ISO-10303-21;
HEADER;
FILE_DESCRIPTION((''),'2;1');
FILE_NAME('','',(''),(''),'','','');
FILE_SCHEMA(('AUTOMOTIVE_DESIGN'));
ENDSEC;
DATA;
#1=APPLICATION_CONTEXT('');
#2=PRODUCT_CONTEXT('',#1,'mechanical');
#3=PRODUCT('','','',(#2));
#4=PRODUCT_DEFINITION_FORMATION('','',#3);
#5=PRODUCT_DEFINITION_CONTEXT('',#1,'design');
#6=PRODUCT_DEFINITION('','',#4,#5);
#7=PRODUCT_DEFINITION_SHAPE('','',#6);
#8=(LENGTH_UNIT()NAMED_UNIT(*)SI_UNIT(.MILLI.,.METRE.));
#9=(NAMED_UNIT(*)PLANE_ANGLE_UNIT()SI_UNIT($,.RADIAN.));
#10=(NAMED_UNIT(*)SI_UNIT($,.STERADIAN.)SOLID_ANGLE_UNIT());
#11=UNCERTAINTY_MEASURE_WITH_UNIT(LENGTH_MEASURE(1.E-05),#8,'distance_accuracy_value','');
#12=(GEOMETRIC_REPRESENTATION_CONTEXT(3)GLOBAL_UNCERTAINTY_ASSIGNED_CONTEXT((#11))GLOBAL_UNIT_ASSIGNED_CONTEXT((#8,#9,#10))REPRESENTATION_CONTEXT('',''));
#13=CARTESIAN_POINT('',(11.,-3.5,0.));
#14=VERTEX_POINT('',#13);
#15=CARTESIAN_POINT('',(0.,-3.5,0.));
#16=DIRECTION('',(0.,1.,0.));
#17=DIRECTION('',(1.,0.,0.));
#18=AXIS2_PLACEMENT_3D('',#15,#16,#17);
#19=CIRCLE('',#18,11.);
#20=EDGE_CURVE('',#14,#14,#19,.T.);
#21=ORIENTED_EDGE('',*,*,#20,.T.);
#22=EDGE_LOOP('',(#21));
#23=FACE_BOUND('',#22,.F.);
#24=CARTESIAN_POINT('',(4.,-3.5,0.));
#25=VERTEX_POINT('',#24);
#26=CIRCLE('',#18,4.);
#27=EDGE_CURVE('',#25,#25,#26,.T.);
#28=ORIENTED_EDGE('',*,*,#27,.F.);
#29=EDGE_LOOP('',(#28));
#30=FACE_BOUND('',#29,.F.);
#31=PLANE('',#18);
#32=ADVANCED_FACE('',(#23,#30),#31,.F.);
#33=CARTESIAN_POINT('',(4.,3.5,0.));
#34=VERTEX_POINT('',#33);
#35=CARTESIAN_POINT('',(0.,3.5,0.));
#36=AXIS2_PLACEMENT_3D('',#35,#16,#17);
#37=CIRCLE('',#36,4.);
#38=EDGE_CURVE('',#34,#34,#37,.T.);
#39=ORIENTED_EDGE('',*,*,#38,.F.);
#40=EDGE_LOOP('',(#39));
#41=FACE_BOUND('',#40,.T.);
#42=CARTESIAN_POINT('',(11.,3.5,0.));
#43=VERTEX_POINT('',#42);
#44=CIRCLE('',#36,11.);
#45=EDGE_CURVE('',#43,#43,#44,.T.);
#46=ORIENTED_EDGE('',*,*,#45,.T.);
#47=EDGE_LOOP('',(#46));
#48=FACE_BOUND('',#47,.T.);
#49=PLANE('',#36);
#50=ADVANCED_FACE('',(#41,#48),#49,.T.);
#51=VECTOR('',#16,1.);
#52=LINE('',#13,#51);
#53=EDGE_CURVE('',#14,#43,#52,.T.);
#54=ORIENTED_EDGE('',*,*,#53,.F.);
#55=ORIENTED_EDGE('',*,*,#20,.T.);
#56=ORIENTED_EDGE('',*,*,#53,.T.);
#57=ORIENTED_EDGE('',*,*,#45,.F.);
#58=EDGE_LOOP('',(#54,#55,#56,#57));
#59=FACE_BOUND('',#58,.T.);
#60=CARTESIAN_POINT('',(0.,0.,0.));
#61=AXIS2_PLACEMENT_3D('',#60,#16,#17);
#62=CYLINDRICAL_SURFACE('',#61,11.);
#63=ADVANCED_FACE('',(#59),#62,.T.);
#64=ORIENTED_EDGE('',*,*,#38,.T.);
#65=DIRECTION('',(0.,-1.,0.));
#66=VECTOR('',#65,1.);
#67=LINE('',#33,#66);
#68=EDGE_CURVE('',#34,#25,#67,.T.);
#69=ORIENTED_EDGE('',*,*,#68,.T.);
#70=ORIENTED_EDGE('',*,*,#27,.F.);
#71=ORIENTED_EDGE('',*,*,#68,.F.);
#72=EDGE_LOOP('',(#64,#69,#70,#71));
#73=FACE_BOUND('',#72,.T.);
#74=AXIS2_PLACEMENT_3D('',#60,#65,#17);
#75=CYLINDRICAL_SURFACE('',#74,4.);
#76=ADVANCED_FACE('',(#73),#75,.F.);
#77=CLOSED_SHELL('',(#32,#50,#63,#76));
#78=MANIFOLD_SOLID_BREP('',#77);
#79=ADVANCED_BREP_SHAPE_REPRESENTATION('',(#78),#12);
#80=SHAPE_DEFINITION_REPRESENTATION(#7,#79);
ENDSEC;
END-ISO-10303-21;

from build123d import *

# Parameters (mm, degrees)
SKETCH1_R           = 11
SKETCH1_R_2         = 4
BOSS_EXTRUDE1_DEPTH = 3.5


with BuildPart() as part:
    # Sketch1 → Boss-Extrude1 (new body, symmetric)
    with BuildSketch(Plane(origin=(0, 0, 0), x_dir=(1, 0, 0), z_dir=(0, 1, 0))):
        Circle(SKETCH1_R)
        Circle(SKETCH1_R_2, mode=Mode.SUBTRACT)
    extrude(amount=BOSS_EXTRUDE1_DEPTH, both=True)


solid = part.part
